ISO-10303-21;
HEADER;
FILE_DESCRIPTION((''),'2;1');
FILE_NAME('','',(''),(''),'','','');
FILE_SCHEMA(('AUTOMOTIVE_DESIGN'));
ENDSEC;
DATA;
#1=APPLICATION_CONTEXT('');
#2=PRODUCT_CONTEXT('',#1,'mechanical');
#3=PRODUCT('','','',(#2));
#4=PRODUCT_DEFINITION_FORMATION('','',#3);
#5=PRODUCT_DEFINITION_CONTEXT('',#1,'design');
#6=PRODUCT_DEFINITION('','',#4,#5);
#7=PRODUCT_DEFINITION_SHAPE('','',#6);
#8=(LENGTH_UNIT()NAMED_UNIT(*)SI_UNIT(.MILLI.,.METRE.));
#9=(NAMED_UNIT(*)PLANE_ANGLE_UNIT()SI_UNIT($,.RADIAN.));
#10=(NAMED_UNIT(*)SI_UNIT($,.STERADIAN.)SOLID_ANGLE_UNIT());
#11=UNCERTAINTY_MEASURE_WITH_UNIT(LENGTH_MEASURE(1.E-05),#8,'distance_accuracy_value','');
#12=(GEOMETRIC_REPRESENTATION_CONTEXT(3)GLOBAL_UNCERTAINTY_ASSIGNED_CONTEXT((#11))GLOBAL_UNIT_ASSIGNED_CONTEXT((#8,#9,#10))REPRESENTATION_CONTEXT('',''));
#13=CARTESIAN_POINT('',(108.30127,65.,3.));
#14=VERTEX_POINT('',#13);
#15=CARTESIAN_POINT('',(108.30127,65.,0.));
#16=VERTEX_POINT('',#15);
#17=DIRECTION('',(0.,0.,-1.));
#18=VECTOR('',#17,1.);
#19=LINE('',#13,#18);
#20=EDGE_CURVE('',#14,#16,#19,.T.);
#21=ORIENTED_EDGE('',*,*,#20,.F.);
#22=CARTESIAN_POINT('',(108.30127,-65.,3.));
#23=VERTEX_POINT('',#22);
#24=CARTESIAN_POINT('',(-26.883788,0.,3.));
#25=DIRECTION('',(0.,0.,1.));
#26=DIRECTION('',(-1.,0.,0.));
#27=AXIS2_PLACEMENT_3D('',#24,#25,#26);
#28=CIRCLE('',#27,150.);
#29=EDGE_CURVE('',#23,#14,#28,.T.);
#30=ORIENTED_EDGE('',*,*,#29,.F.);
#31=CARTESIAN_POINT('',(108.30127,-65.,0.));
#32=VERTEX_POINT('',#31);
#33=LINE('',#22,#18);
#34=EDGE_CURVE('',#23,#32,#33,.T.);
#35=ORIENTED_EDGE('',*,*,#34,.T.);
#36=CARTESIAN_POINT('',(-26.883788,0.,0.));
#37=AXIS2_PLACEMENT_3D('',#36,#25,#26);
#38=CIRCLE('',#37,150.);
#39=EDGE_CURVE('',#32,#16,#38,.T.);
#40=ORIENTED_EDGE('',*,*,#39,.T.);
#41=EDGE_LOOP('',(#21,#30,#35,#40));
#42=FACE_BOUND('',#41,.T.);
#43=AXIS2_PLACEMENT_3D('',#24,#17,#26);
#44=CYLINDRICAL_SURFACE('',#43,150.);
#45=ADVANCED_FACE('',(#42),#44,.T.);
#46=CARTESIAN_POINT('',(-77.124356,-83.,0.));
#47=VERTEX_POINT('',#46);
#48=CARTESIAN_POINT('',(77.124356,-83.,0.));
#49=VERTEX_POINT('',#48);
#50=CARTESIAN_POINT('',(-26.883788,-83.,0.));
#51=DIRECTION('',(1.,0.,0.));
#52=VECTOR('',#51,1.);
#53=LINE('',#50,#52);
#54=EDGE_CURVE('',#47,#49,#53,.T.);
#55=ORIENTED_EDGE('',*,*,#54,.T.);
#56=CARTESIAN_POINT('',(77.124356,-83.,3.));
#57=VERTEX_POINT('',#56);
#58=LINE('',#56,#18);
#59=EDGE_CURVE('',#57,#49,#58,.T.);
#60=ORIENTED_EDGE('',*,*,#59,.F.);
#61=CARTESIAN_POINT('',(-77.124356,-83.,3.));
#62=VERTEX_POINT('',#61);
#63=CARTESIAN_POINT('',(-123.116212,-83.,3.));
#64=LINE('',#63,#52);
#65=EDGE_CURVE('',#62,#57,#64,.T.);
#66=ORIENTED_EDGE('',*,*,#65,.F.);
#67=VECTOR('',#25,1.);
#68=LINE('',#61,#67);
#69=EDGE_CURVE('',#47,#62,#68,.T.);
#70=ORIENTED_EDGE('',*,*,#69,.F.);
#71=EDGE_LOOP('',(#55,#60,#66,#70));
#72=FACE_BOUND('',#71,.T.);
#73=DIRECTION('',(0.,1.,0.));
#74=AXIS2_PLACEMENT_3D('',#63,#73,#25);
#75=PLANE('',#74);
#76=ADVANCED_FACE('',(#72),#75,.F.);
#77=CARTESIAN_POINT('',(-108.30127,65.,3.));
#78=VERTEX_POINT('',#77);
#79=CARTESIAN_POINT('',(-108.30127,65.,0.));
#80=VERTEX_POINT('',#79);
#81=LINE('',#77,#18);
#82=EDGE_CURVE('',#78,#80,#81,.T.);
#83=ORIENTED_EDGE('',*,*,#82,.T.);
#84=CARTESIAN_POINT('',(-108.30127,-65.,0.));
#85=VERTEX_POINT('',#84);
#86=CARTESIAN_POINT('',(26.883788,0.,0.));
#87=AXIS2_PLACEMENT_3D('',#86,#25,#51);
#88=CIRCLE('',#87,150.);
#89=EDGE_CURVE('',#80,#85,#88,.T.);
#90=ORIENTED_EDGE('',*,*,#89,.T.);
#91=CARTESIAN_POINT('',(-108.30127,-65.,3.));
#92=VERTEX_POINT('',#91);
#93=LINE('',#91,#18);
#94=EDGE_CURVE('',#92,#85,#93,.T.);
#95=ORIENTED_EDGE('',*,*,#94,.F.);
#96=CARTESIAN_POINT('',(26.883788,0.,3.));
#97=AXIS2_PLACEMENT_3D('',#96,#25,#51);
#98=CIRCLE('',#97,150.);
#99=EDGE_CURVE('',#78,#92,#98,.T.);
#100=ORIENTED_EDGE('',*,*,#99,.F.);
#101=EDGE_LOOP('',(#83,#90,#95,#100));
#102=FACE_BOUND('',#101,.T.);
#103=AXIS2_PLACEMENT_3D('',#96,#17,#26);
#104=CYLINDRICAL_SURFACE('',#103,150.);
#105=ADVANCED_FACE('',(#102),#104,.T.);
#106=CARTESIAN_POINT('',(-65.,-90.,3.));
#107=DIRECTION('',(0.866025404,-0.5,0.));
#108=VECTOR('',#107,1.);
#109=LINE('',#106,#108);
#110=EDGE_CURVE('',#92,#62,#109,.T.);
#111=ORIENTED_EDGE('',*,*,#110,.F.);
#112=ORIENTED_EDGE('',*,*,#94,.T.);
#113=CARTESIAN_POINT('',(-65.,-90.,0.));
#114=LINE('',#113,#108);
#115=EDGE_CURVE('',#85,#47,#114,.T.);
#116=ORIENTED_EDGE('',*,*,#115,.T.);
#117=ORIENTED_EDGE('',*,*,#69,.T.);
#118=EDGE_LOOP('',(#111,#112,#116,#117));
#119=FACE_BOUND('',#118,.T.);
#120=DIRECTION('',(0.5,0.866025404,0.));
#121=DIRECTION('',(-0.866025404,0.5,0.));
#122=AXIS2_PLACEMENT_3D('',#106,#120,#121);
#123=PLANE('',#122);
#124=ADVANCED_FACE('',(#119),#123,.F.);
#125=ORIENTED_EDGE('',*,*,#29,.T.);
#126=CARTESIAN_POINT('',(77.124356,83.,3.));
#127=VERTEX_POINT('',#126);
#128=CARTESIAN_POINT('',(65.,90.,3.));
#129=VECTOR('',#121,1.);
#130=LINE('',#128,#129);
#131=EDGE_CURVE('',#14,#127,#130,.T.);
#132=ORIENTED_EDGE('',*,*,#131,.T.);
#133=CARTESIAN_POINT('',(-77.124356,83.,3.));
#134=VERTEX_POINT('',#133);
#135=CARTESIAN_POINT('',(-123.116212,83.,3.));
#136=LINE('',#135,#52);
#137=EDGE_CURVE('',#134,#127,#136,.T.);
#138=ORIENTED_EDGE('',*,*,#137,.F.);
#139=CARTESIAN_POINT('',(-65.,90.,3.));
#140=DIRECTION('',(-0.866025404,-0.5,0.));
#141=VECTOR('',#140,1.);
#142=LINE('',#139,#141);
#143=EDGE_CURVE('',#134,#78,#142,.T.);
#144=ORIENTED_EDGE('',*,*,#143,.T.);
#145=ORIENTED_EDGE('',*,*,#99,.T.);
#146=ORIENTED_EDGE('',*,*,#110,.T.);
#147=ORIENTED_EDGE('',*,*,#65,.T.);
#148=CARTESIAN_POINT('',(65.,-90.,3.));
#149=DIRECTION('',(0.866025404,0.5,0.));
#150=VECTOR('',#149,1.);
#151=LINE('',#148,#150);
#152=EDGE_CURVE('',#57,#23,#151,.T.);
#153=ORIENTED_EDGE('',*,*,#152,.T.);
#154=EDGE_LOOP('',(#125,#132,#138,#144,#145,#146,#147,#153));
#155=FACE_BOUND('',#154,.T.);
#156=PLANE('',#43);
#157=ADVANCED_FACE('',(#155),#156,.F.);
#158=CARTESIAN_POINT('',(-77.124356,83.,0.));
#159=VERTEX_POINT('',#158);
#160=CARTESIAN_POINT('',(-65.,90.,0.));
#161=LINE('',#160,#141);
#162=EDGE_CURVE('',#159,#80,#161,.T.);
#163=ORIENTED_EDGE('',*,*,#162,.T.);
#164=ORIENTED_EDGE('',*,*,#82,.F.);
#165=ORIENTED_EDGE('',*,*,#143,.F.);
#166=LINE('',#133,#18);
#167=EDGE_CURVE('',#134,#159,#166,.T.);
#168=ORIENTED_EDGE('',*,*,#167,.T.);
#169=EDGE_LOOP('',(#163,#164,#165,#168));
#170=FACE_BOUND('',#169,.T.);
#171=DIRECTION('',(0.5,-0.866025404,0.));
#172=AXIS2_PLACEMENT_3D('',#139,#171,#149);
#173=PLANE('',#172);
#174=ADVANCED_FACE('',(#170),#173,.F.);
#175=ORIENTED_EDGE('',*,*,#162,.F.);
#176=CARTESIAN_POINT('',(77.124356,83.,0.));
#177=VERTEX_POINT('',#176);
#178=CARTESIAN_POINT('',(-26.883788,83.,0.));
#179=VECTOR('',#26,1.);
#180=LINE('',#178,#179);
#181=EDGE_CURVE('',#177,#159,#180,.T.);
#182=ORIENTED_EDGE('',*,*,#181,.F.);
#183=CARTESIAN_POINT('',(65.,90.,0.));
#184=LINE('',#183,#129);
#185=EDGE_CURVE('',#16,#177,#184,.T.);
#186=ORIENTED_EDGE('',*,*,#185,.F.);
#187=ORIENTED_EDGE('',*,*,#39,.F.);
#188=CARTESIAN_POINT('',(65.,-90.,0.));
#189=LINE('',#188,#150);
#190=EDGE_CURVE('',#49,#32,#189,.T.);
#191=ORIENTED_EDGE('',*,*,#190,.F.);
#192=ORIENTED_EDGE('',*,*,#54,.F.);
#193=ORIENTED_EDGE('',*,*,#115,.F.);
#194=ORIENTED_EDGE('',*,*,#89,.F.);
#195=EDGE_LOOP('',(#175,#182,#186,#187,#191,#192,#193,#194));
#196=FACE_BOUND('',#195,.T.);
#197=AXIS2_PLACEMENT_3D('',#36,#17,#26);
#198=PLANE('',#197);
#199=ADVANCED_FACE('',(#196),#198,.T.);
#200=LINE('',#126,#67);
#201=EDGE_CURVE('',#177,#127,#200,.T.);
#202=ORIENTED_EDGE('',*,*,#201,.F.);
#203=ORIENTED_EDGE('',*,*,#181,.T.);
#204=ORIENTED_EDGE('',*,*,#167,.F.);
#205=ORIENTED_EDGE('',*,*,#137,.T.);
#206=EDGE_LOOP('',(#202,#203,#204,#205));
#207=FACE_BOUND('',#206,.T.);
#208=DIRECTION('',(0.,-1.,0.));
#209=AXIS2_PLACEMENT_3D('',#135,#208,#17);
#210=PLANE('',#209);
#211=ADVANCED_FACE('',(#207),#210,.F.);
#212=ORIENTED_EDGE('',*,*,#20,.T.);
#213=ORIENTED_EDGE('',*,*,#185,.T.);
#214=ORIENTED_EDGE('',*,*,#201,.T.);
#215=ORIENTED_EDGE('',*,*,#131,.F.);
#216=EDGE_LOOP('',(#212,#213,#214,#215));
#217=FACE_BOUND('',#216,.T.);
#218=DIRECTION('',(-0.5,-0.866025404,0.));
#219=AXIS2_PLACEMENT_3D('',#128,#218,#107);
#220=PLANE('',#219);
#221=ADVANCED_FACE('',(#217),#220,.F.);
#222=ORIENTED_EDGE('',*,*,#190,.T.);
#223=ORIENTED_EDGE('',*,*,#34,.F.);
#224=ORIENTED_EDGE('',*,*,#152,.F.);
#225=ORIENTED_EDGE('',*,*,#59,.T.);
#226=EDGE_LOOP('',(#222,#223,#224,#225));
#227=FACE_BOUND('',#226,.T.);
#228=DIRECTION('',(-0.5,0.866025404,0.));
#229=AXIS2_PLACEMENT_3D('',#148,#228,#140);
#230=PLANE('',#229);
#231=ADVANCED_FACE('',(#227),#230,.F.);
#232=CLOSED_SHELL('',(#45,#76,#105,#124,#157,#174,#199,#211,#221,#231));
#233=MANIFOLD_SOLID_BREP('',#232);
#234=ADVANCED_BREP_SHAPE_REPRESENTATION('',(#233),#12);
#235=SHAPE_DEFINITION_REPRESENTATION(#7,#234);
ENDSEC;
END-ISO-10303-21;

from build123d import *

# Parameters (mm, degrees)
BOSS_EXTRUDE1_DEPTH      = 3
CUT_EXTRUDE21_DEPTH      = 153.533935957
CUT_EXTRUDE21_DEPTH_BACK = 153.533935957
SKETCH34_W               = 3
SKETCH34_H               = 7


with BuildPart() as part:
    # Sketch1 → Boss-Extrude1 (new body)
    with BuildSketch(Plane.XY):
        with BuildLine():
            Line((-65, 90), (-108.301270189, 65))
            ThreePointArc((-108.301270189, 65), (-123.116211843, 0), (-108.301270189, -65))
            Line((-108.301270189, -65), (-65, -90))
            Line((-65, -90), (65, -90))
            Line((65, -90), (108.301270189, -65))
            ThreePointArc((108.301270189, -65), (123.116211843, 0), (108.301270189, 65))
            Line((108.301270189, 65), (65, 90))
            Line((65, 90), (-65, 90))
        make_face()
    extrude(amount=BOSS_EXTRUDE1_DEPTH)

    # Sketch34 → Cut-Extrude21 (cut, two sides: drawn at the far end of the back side and taken through both)
    with BuildSketch(Plane(origin=(0, 0, 0), x_dir=(0, 0, -1), z_dir=(1, 0, 0)).offset(-CUT_EXTRUDE21_DEPTH_BACK)):
        with Locations((-1.5, 86.5)):
            Rectangle(SKETCH34_W, SKETCH34_H)
        with Locations((-1.5, -86.5)):
            Rectangle(SKETCH34_W, SKETCH34_H)
    extrude(amount=CUT_EXTRUDE21_DEPTH + CUT_EXTRUDE21_DEPTH_BACK, mode=Mode.SUBTRACT)


solid = part.part
